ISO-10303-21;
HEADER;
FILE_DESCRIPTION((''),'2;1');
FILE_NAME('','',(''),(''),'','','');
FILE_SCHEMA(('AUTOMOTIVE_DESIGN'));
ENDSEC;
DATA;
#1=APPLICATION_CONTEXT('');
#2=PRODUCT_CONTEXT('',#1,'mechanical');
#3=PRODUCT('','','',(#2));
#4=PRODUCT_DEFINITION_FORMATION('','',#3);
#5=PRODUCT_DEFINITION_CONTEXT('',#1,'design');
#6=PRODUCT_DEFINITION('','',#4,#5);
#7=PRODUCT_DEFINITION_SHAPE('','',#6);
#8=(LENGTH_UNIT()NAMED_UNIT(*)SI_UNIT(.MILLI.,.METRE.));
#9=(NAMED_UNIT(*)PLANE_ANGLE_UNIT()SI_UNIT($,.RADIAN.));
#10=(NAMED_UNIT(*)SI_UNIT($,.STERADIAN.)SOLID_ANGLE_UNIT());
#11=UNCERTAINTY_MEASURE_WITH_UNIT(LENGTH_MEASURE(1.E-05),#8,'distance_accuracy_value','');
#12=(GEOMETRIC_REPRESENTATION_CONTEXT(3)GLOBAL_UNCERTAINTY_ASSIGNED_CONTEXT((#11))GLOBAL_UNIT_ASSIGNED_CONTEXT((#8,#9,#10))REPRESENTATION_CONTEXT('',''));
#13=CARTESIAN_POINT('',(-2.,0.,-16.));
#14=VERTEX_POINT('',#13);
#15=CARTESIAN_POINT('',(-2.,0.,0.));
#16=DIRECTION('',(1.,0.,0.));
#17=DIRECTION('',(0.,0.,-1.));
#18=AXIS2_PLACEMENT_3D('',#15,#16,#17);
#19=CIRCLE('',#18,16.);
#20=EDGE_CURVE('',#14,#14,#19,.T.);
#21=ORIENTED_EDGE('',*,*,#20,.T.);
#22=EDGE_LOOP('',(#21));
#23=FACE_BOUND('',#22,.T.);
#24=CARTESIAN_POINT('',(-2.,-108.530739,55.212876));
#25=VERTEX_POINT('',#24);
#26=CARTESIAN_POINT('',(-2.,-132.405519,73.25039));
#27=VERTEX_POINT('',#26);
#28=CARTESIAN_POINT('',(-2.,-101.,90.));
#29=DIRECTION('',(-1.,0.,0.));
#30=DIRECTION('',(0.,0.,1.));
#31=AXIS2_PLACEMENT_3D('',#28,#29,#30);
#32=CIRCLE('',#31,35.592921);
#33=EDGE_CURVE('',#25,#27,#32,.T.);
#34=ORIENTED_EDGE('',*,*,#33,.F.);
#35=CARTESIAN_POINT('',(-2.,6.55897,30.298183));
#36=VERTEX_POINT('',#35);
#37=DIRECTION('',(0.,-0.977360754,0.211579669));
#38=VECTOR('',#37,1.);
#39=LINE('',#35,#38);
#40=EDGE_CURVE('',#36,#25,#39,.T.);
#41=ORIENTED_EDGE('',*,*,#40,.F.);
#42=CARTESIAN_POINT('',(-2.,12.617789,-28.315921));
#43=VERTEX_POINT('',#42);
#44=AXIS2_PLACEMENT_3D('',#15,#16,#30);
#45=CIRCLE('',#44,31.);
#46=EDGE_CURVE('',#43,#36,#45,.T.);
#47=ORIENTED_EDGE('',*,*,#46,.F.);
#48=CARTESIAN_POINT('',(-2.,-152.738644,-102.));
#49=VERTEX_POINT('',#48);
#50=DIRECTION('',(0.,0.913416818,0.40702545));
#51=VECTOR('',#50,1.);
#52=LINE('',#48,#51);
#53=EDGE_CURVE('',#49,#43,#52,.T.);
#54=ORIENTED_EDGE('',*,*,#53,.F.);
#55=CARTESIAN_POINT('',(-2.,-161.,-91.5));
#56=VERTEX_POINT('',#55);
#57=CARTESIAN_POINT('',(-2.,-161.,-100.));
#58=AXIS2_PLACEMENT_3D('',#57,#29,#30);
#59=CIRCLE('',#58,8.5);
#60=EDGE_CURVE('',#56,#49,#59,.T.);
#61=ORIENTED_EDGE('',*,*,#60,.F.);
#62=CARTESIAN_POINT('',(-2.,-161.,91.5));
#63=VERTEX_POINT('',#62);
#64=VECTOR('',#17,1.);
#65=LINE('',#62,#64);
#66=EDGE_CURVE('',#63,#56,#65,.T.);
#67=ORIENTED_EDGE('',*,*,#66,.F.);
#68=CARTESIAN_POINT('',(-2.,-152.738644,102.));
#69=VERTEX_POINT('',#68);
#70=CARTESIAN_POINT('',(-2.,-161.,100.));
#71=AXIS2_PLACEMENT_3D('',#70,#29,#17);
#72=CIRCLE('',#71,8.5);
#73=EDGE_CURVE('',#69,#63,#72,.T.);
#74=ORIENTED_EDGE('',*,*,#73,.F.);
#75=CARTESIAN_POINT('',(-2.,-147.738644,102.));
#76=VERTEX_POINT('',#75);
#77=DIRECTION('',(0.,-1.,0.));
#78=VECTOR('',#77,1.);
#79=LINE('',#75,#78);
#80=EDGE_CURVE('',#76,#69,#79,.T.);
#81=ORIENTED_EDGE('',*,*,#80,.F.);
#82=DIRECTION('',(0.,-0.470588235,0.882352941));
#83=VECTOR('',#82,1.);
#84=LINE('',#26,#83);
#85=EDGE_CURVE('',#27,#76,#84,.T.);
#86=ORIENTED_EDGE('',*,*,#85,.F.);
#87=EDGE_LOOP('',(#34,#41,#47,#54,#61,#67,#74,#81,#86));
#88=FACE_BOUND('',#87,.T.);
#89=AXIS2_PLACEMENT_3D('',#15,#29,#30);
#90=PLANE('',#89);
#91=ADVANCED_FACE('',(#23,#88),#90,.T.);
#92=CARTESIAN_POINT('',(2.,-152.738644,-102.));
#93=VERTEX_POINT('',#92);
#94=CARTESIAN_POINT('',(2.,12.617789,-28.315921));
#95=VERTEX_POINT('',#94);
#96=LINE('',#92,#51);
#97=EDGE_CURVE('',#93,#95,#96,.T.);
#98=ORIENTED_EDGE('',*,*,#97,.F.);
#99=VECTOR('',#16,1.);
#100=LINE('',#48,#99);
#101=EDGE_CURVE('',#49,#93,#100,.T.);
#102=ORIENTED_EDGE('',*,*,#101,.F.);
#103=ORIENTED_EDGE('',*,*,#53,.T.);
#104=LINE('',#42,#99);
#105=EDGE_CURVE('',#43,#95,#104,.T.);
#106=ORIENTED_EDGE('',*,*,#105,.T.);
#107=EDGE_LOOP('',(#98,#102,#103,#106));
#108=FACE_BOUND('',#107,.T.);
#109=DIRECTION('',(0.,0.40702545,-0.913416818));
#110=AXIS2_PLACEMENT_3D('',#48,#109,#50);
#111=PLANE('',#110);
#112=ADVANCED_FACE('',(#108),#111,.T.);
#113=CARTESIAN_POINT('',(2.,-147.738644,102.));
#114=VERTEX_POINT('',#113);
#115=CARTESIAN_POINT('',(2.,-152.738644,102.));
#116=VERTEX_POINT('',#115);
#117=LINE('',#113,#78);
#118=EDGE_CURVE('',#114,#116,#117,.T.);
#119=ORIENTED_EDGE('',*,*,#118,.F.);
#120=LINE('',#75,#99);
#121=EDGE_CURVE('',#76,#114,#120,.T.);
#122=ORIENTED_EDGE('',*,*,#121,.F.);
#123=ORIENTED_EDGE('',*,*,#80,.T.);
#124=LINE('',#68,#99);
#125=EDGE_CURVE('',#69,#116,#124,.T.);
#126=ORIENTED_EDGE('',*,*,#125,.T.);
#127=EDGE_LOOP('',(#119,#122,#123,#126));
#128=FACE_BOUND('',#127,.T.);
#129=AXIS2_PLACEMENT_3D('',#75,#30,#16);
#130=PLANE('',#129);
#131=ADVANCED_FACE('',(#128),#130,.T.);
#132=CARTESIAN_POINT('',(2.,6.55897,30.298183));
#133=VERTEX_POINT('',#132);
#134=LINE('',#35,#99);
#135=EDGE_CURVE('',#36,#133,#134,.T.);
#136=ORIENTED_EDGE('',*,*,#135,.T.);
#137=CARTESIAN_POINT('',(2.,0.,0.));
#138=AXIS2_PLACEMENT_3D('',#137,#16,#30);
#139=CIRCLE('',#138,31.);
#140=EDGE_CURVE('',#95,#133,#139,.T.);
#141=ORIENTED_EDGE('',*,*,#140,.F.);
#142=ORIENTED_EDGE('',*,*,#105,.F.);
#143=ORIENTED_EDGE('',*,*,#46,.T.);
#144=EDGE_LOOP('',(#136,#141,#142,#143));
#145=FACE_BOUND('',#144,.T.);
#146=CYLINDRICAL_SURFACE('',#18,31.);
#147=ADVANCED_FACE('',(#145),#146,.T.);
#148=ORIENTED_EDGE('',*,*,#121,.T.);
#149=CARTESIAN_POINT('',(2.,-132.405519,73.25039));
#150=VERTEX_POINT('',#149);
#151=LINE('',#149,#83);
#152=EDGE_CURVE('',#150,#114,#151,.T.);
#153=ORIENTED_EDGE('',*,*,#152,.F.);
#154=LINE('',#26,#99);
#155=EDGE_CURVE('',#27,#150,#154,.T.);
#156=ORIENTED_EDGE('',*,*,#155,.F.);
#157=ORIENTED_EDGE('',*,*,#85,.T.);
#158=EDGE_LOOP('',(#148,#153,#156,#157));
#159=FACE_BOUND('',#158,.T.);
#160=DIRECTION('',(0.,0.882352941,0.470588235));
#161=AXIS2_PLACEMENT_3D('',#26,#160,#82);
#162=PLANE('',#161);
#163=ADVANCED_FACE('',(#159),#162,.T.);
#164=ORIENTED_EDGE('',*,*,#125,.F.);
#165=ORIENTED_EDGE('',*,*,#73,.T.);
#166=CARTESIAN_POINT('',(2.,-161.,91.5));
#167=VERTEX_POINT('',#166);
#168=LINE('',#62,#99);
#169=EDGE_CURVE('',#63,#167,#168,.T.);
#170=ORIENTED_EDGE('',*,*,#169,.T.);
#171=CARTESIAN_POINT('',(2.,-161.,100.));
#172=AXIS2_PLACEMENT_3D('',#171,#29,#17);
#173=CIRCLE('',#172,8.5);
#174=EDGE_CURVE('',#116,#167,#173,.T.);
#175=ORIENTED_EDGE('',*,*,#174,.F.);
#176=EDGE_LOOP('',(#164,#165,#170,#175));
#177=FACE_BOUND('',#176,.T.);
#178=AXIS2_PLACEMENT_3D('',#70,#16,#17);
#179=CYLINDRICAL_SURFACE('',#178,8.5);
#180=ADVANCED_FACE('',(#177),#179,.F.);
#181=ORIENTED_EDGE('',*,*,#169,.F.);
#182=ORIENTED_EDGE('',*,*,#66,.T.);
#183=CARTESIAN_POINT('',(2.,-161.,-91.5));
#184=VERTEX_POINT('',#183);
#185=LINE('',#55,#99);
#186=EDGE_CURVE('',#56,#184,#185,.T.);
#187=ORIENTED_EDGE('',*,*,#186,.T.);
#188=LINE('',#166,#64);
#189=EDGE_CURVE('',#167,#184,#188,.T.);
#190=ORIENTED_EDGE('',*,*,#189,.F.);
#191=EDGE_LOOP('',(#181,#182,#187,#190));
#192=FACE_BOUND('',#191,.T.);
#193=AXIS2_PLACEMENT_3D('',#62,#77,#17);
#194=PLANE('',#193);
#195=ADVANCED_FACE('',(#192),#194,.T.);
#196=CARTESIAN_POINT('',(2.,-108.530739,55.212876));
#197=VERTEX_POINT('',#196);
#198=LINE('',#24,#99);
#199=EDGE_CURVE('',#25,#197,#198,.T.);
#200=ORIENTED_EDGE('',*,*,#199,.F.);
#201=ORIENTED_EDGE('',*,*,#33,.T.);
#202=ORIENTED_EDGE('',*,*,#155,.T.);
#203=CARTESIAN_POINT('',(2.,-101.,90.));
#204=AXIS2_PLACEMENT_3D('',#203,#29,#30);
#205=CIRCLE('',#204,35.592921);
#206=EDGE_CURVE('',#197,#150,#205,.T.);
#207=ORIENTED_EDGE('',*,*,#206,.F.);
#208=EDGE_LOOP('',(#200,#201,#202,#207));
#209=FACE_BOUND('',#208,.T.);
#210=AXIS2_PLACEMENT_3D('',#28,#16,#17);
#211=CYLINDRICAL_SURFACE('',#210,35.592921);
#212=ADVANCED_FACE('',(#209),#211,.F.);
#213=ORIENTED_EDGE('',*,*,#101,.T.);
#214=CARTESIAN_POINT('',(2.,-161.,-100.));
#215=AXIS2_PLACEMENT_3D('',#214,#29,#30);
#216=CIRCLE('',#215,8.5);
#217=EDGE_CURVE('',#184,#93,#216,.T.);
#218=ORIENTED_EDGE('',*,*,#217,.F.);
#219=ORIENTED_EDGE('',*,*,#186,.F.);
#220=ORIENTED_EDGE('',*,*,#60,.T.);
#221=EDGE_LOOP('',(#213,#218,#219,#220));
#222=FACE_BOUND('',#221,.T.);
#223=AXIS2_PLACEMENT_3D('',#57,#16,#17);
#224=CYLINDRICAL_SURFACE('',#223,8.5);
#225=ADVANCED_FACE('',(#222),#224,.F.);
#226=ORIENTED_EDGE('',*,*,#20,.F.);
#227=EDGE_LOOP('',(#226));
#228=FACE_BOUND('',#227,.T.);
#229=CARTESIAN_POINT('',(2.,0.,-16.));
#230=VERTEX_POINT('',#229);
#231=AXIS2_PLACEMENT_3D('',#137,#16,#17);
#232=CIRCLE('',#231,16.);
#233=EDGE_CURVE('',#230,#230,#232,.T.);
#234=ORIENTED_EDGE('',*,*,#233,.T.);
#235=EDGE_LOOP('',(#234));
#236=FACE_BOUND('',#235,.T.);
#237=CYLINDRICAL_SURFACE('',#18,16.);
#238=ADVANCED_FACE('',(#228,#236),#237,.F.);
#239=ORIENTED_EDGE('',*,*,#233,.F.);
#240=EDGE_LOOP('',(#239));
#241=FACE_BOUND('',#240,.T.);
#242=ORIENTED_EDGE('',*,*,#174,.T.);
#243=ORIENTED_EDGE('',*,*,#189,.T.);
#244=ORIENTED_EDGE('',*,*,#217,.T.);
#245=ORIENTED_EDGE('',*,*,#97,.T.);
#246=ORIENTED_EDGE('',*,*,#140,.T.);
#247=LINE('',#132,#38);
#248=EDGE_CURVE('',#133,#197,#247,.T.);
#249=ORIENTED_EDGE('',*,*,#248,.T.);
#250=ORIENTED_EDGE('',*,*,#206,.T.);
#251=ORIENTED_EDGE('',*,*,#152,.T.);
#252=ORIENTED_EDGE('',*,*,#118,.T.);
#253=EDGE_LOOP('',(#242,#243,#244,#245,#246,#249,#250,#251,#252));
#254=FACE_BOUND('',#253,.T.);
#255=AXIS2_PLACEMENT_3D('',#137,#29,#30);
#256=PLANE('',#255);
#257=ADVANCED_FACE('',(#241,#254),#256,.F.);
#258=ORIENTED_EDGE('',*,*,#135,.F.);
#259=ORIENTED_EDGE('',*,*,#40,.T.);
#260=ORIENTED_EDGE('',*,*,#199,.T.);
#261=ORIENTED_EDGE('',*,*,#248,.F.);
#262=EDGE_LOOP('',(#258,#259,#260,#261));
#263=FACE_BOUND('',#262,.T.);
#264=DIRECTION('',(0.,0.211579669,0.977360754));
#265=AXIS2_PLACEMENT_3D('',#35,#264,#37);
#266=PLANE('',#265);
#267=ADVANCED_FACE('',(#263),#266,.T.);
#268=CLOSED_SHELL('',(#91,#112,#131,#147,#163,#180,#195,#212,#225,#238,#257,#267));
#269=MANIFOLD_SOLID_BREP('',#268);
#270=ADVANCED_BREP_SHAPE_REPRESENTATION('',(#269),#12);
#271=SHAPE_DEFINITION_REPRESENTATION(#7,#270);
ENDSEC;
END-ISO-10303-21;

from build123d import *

# Parameters (mm, degrees)
EXTRUDE_1_DEPTH      = 2
EXTRUDE_1_DEPTH_BACK = 2
SKETCH_1_R           = 16


with BuildPart() as part:
    # Эскиз1 → Бобышка-Вытянуть1 (new, two sides: drawn at the far end of the back side and taken through both)
    with BuildSketch(Plane(origin=(0, 0, 0), x_dir=(0, 0, -1), z_dir=(1, 0, 0)).offset(-EXTRUDE_1_DEPTH_BACK)):
        with BuildLine():
            Line((-91.5, -161), (91.5, -161))
            ThreePointArc((91.5, -161), (94.74405099, -154.319805392), (102, -152.738644179))
            Line((102, -152.738644179), (28.315921349, 12.617788956))
            ThreePointArc((28.315921349, 12.617788956), (-3.187422672, 30.835699063), (-30.298183379, 6.55896973))
            Line((-30.298183379, 6.55896973), (-55.212875562, -108.530738505))
            ThreePointArc((-55.212875562, -108.530738505), (-61.600879697, -122.455675592), (-73.25038996, -132.405518825))
            Line((-73.25038996, -132.405518825), (-102, -147.738644179))
            Line((-102, -147.738644179), (-102, -152.738644179))
            ThreePointArc((-102, -152.738644179), (-94.74405099, -154.319805392), (-91.5, -161))
        make_face()
        Circle(SKETCH_1_R, mode=Mode.SUBTRACT)
    extrude(amount=EXTRUDE_1_DEPTH + EXTRUDE_1_DEPTH_BACK)


solid = part.part
